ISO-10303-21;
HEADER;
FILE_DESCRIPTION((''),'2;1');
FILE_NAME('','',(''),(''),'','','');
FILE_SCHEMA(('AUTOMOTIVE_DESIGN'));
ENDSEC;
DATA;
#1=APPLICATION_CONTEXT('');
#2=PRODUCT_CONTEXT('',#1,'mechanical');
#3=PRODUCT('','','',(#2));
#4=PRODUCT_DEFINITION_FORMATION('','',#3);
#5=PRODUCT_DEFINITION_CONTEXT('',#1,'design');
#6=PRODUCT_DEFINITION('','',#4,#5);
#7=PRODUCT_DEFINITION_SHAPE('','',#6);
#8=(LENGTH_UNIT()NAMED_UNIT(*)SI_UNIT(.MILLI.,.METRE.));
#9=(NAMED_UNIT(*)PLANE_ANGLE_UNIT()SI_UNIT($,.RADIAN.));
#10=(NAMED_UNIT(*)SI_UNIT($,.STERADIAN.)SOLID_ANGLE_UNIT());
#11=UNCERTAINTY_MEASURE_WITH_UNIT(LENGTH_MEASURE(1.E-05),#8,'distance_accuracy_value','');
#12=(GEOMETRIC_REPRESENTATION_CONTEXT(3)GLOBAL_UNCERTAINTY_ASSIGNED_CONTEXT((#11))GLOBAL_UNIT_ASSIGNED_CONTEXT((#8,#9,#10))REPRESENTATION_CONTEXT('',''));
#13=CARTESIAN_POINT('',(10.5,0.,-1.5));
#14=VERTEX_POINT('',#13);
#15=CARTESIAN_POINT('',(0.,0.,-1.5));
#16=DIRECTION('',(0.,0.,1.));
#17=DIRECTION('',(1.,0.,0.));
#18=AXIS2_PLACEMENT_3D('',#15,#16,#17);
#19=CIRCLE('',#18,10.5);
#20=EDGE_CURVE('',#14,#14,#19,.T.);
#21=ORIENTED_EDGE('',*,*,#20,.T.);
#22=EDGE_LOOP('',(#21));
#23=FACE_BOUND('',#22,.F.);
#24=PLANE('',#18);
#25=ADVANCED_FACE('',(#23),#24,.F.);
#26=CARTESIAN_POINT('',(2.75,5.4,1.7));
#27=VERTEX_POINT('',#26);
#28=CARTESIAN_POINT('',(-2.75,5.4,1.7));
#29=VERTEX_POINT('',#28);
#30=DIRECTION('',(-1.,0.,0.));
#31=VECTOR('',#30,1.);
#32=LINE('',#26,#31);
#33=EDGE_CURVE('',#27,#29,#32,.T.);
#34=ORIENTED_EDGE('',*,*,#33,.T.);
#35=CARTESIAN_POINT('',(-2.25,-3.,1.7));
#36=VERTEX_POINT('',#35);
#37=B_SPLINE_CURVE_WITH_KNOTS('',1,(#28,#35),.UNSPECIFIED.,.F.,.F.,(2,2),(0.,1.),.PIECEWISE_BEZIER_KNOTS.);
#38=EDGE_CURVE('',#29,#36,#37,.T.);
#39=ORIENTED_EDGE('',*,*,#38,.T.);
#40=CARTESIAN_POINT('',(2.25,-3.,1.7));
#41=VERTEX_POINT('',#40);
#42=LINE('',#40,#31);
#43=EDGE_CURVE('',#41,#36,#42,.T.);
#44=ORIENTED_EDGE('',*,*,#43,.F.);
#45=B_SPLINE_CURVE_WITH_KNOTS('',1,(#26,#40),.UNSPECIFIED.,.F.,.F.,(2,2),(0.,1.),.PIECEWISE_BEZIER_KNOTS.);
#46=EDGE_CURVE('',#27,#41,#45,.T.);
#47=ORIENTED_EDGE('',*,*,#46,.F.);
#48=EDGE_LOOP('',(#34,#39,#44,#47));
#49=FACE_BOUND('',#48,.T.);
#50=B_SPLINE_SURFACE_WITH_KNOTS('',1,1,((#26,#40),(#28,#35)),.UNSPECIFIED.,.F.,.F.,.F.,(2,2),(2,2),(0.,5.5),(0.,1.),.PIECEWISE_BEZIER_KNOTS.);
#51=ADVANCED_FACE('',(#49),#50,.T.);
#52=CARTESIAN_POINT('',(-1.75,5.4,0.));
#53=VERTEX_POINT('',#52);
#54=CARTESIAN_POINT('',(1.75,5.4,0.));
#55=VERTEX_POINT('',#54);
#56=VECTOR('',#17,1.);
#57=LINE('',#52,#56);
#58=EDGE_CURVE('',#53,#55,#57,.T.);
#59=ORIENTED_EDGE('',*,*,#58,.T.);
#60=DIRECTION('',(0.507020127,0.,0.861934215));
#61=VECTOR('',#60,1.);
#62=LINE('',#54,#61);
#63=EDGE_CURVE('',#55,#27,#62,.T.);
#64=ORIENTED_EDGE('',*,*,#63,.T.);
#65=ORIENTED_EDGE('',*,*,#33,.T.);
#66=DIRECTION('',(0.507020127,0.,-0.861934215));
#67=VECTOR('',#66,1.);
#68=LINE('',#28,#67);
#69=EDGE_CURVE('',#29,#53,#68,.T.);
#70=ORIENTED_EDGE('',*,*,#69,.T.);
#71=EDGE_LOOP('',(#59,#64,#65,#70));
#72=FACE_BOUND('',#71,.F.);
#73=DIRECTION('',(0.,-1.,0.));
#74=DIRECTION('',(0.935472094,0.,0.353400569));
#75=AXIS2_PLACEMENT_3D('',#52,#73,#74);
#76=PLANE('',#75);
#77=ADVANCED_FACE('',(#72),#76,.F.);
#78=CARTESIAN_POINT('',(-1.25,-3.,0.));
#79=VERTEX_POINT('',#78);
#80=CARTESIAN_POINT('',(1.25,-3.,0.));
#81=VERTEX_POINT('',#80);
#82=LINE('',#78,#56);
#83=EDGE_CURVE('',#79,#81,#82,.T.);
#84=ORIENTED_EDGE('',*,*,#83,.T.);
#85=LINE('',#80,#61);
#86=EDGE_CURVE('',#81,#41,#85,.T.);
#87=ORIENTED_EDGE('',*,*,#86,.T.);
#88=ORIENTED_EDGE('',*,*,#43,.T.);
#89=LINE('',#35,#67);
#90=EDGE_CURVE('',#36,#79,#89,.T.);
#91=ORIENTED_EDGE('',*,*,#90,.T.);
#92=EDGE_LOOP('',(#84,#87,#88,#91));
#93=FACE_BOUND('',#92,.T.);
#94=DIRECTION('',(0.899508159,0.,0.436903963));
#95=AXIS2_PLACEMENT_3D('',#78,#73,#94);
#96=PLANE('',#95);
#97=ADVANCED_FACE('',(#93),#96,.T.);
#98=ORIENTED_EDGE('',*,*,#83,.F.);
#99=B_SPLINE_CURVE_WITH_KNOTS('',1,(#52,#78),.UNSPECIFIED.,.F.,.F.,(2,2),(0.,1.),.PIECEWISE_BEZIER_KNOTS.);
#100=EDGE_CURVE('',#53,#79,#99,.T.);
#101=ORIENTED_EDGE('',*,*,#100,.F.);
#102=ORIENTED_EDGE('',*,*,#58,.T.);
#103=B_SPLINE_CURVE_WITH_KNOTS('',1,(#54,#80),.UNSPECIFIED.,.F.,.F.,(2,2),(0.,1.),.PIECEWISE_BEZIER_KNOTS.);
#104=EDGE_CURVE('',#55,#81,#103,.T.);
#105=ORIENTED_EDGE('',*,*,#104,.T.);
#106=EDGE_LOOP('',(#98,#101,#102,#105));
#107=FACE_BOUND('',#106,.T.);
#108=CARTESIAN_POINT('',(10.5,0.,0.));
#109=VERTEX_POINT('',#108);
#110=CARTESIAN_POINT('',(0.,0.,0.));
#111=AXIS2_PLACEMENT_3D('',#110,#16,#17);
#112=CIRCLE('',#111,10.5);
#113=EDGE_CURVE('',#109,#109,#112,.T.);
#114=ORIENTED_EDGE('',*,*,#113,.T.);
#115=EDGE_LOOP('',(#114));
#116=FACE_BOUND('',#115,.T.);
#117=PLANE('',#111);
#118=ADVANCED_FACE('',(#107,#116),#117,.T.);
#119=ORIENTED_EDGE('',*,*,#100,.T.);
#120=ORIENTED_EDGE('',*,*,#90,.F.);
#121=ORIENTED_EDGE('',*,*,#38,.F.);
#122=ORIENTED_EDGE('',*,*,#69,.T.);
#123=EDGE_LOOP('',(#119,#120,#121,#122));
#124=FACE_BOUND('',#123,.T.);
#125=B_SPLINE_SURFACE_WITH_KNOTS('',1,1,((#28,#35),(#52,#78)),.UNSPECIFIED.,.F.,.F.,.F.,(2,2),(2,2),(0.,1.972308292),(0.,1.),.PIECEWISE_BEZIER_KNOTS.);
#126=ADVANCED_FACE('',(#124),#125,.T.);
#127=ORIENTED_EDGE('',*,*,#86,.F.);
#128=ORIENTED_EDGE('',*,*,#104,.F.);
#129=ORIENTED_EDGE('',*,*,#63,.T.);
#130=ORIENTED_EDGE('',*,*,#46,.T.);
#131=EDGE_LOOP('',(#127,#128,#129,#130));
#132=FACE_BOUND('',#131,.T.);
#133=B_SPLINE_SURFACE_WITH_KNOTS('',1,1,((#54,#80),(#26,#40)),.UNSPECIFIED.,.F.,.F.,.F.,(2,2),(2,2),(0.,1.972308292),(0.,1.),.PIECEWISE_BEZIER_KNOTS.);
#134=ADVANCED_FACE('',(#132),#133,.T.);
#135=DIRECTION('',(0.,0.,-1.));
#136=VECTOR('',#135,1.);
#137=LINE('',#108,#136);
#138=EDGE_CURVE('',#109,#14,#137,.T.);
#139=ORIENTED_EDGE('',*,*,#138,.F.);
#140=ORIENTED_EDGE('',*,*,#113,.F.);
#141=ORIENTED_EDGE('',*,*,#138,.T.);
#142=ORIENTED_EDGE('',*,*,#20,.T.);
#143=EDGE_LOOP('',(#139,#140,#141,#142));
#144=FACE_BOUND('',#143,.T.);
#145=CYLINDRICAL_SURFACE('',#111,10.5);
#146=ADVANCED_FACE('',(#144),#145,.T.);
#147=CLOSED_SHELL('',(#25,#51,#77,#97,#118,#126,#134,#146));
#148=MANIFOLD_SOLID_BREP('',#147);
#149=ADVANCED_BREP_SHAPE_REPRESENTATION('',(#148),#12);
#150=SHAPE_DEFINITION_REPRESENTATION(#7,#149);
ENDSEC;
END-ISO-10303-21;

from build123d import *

# Parameters (mm, degrees)
F0_R     = 10.5
F1_DEPTH = 1.5


with BuildPart() as f1:
    # F0 (on Top) → F1 (new body)
    with BuildSketch(Plane.XY):
        Circle(F0_R)
    extrude(amount=-F1_DEPTH)

    # F5 (on offset) → F6 section 0
    with BuildSketch(Plane.XZ.offset(-5.4)):
        Polygon((-1.75, 0), (1.75, 0), (2.75, 1.7), (-2.75, 1.7), align=None)
    # F3 (on offset) → F6 section 1
    with BuildSketch(Plane.XZ.offset(3)):
        Polygon((-1.25, 0), (1.25, 0), (2.25, 1.7), (-2.25, 1.7), align=None)
    loft()


solid = f1.part
